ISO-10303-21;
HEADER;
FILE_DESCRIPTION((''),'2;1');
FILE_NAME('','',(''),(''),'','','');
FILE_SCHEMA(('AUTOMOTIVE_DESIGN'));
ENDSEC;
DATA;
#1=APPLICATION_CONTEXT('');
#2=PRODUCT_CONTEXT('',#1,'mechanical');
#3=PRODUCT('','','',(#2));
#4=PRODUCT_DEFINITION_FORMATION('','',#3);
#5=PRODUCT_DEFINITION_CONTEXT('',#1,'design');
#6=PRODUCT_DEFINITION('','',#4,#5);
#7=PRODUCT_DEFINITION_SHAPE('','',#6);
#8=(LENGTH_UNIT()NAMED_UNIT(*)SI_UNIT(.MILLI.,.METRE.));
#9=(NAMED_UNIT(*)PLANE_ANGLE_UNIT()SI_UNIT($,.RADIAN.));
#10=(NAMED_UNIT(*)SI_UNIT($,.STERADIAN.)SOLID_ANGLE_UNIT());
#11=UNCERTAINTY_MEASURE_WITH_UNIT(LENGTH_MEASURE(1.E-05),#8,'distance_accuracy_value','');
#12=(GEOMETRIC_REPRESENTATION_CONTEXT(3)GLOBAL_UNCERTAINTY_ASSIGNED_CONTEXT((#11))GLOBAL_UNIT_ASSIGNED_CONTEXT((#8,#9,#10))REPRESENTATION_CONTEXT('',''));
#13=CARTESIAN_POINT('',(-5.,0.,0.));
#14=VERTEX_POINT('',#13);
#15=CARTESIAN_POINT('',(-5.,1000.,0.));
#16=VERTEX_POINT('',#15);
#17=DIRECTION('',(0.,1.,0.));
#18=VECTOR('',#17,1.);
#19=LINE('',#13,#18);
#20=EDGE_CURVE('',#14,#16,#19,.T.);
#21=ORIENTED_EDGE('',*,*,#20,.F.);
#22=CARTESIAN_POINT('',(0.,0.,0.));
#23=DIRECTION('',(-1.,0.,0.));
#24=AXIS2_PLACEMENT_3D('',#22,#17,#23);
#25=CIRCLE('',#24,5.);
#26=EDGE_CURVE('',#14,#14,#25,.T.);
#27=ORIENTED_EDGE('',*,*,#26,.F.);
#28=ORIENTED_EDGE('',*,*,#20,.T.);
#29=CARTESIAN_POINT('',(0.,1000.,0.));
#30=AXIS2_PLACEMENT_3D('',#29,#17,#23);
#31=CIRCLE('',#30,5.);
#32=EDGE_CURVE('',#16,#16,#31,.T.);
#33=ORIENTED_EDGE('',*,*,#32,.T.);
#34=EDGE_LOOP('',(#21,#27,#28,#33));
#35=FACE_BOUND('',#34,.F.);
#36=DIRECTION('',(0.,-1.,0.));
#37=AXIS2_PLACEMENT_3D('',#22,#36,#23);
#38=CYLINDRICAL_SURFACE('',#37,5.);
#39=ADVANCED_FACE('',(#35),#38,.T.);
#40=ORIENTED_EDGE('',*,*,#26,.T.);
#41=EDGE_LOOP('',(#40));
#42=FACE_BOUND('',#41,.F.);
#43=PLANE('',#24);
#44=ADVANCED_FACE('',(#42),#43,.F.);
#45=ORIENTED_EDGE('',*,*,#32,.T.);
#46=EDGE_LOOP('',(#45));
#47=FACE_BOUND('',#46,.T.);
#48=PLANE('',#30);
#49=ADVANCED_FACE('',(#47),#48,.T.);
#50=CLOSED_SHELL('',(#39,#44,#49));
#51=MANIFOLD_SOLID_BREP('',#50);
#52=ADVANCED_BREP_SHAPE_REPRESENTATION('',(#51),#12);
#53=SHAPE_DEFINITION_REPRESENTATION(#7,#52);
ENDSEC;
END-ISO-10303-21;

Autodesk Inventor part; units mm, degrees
ref_plane "YZ Plane" through (0, 0, 0) normal (1, 0, 0) x (0, 1, 0)
ref_plane "XZ Plane" through (0, 0, 0) normal (0, 1, 0) x (-1, 0, 0)
ref_plane "XY Plane" through (0, 0, 0) normal (0, 0, 1) x (1, 0, 0)
sketch "Sketch1" plane through (0, 0, 0) normal (0, 1, 0) x (-1, 0, 0)
  circle A0 centre (0, 0) radius 5
  dimension "d0" = 10
extrude "Extrusion1" add sketch "Sketch1" along normal blind 1000
properties part number "Eje"
